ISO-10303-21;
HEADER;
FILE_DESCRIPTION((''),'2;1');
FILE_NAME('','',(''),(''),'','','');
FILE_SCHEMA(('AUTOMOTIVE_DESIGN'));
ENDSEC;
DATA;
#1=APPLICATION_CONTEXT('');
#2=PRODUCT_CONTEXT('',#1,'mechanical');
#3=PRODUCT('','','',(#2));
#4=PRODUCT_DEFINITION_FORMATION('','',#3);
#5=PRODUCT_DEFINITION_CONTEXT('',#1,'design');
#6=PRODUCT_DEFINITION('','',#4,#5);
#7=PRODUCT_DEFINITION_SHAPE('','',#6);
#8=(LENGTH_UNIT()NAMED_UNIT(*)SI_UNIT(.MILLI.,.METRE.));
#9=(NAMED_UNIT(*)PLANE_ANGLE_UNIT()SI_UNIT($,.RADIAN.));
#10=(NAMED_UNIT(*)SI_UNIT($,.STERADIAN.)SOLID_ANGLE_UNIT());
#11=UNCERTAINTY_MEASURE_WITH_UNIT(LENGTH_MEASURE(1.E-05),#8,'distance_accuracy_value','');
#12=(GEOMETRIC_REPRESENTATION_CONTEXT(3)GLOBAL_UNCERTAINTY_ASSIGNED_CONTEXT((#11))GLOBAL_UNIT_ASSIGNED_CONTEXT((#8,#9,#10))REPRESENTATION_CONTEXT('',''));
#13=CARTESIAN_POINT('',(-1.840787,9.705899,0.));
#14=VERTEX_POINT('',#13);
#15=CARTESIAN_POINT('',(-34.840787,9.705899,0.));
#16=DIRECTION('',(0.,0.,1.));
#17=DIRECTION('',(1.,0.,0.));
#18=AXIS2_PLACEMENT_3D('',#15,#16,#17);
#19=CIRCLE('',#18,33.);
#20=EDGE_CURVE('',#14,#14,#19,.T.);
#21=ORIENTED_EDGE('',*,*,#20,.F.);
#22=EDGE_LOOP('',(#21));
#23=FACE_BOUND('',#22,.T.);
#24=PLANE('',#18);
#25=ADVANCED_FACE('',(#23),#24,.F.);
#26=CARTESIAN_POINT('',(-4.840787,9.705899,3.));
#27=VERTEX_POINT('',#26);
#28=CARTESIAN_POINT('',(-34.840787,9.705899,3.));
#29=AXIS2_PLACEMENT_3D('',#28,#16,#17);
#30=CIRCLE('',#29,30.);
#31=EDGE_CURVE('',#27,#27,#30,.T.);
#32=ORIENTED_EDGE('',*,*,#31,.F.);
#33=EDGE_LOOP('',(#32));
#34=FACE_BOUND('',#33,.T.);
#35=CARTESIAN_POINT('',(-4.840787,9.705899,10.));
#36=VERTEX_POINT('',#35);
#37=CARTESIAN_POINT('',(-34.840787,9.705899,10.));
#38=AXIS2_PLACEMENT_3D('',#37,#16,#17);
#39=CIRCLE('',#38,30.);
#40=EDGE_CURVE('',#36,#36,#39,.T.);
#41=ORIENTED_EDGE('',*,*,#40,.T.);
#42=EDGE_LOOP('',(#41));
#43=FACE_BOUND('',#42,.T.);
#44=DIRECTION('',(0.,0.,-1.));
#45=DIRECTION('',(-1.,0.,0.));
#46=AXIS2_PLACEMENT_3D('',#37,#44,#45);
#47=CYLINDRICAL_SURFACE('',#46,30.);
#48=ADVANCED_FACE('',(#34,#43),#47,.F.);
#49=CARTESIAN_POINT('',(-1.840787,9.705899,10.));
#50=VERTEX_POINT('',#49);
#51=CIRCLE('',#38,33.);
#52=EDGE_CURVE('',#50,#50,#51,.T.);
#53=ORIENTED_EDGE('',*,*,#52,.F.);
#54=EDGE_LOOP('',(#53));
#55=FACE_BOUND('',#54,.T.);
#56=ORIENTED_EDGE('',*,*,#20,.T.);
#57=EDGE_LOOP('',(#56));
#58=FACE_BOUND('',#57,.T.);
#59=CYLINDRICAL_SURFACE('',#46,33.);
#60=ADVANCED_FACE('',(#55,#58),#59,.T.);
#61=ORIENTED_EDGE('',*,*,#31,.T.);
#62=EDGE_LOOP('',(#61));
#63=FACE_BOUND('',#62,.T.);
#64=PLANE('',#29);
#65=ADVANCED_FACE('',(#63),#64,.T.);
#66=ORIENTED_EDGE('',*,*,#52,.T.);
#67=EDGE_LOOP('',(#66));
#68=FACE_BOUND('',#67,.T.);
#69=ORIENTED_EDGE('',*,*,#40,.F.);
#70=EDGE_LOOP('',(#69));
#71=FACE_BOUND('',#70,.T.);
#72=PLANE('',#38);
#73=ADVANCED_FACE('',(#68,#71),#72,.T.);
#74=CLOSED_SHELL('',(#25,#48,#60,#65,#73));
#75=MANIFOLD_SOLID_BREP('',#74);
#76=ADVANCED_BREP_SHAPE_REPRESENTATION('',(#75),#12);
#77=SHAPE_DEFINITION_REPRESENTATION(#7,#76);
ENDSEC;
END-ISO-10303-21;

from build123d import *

# Parameters (mm, degrees)
SKETCH1_R           = 33
BOSS_EXTRUDE1_DEPTH = 10
SHELL1_T            = -3


with BuildPart() as part:
    # Sketch1 → Boss-Extrude1 (new body)
    with BuildSketch(Plane.XY):
        with Locations((-34.840786691, 9.705898633)):
            Circle(SKETCH1_R)
    extrude(amount=BOSS_EXTRUDE1_DEPTH)

    # Shell1
    shell1_openings = [part.faces().sort_by_distance(p)[0] for p in [
        (-1.840786691, 9.705898633, 10),
    ]]
    offset(amount=SHELL1_T, openings=shell1_openings, kind=Kind.INTERSECTION)


solid = part.part
